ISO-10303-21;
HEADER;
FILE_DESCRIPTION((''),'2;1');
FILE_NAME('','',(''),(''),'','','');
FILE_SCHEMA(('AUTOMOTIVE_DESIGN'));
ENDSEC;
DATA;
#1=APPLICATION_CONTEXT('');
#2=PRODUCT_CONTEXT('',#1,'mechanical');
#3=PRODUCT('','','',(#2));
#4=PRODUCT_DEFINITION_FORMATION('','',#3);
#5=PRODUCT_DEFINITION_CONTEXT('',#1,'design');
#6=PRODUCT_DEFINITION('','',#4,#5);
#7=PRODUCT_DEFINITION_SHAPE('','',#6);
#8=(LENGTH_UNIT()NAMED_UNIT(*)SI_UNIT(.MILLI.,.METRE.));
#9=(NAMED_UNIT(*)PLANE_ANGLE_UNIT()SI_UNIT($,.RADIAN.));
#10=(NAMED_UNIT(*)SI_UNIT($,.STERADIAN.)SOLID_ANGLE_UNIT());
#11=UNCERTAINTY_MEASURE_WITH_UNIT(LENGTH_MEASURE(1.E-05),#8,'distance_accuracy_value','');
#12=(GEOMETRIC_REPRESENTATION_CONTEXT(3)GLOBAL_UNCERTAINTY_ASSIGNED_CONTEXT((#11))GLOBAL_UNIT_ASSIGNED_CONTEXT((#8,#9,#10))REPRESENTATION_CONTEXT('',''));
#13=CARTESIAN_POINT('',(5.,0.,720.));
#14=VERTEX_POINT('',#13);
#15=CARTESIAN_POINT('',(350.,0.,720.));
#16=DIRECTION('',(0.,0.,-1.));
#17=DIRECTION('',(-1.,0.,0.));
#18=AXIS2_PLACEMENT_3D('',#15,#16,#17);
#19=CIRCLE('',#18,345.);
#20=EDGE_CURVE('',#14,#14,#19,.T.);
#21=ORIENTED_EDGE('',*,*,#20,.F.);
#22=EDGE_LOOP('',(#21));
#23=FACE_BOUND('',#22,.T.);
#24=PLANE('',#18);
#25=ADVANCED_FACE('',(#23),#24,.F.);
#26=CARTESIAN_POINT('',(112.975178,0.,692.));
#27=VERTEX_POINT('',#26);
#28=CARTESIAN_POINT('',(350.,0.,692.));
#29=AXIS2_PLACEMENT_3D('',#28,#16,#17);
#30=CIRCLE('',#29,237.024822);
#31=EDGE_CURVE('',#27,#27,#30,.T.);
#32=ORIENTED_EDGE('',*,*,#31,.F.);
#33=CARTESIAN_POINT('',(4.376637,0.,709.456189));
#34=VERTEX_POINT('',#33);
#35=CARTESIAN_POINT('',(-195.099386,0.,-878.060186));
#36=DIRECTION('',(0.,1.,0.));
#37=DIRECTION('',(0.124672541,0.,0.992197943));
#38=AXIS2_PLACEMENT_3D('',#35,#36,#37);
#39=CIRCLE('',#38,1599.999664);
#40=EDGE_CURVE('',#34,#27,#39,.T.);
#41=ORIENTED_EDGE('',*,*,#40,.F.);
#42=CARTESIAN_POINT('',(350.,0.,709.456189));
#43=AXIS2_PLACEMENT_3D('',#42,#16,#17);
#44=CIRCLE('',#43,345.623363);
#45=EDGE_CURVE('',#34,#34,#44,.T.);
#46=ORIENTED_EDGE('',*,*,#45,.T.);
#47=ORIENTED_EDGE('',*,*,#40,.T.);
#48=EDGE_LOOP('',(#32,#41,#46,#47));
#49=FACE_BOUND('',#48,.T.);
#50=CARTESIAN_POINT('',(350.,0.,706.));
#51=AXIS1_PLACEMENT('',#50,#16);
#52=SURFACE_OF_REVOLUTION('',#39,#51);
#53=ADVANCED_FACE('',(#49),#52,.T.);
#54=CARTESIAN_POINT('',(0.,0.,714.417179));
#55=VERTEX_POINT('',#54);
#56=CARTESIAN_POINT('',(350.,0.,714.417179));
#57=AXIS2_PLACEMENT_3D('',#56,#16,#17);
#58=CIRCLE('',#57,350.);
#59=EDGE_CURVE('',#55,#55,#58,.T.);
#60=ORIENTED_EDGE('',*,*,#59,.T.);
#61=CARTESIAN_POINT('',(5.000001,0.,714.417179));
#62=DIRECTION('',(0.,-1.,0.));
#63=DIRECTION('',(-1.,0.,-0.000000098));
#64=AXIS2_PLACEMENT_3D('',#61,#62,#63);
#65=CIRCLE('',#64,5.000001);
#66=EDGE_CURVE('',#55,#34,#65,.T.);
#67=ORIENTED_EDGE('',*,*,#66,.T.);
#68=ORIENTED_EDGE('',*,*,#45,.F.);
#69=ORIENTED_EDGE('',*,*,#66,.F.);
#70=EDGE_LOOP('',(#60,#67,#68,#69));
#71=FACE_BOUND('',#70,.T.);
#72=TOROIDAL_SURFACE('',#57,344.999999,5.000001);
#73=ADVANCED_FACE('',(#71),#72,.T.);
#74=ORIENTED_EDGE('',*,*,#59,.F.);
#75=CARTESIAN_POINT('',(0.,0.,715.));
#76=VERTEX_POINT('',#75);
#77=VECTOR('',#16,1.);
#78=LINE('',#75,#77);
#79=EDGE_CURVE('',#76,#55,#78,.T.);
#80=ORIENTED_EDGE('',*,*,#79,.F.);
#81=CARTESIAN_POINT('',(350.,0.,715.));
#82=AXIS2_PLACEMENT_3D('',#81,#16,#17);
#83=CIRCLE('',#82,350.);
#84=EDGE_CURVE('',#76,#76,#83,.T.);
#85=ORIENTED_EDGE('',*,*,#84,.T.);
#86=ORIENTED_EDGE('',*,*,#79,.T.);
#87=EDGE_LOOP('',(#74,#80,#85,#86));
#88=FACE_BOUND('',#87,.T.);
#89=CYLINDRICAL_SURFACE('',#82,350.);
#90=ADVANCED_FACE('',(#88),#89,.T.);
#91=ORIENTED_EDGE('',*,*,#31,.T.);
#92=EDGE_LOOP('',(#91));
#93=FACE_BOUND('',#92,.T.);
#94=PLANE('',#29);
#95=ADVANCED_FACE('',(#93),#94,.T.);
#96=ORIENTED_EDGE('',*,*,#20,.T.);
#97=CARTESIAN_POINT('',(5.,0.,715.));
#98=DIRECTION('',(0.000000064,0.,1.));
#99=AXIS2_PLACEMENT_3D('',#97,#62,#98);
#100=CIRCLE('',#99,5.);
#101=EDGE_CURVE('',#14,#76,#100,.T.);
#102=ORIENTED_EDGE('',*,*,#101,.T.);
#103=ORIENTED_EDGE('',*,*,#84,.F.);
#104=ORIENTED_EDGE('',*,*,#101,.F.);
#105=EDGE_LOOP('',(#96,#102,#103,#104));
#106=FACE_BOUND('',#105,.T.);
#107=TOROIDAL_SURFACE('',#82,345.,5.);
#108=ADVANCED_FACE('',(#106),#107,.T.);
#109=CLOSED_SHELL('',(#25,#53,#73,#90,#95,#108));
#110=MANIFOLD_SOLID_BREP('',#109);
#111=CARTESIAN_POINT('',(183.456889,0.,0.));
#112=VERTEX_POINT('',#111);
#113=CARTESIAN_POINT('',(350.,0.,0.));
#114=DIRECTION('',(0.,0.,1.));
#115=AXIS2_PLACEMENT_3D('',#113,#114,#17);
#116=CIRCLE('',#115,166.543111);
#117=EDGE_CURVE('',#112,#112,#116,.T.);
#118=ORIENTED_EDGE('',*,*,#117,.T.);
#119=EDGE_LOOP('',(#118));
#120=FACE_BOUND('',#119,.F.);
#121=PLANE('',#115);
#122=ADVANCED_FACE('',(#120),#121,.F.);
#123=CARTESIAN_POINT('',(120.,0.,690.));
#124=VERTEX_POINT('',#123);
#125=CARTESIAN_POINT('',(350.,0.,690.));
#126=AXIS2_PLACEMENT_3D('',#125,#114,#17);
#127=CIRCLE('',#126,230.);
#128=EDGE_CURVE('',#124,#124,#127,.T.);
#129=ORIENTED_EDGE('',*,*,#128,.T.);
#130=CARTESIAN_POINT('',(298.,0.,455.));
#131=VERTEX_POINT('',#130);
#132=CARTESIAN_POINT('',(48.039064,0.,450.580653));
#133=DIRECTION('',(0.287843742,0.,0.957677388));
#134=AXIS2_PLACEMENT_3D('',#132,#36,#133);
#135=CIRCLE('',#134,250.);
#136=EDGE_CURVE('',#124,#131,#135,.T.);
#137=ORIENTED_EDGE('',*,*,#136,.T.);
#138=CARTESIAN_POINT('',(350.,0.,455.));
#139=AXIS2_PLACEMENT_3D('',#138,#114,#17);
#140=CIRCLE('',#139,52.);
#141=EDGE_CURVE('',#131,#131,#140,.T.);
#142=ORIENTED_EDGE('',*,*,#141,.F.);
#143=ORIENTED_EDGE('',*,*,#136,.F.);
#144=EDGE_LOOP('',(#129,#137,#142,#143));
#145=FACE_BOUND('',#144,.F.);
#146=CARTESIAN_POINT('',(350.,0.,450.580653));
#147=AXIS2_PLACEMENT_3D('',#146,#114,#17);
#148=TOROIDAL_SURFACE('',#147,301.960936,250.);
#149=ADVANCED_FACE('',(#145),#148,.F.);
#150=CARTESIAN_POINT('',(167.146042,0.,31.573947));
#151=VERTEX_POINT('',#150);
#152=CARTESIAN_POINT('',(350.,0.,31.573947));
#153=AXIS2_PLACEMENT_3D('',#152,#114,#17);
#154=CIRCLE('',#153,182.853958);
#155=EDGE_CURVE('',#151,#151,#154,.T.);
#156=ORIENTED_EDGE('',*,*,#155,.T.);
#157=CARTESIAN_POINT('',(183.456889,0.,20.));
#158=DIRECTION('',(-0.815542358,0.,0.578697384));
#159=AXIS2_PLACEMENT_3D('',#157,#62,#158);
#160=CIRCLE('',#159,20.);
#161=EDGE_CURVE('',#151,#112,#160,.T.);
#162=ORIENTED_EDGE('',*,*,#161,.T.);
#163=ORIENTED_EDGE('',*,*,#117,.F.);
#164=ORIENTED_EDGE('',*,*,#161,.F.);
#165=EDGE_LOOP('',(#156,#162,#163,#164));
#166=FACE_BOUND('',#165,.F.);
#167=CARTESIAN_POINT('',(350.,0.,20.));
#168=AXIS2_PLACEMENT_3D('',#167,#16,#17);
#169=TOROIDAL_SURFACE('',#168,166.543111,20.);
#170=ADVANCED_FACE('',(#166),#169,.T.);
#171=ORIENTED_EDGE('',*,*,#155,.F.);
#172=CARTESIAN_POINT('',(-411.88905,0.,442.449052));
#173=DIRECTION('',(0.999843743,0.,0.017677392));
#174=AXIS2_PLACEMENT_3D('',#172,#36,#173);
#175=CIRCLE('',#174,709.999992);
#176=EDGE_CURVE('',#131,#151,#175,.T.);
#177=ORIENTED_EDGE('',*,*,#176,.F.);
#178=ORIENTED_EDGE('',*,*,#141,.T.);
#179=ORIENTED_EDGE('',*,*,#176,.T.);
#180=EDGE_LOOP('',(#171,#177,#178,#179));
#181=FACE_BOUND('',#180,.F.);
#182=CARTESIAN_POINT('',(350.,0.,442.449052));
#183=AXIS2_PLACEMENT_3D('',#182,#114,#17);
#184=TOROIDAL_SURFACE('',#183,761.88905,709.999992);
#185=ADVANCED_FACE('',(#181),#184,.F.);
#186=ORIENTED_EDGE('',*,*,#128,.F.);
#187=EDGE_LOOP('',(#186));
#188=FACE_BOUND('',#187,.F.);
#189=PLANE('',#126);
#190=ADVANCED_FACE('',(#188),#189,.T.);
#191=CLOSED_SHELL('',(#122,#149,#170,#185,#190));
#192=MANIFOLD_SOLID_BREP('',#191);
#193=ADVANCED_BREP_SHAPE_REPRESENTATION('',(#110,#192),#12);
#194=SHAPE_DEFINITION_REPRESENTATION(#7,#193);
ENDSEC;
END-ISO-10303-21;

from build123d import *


with BuildPart() as f3:
    # F1 (on Front) → F3 (revolve)
    with BuildSketch(Plane.XZ):
        with BuildLine():
            Line((350, 0), (350, 690))
            Line((350, 690), (120, 690))
            ThreePointArc((120, 690), (247.32447, 601.528747), (298, 455))
            ThreePointArc((298, 455), (266.457297, 232.815507), (167.146042, 31.573947))
            ThreePointArc((167.146042, 31.573947), (165.68783, 10.820646), (183.456889, 0))
            Line((183.456889, 0), (350, 0))
        make_face()
    revolve(axis=Axis((350, 0, 345), (0, 0, 1)))


with BuildPart() as f5:
    # F4 (on Front) → F5 (revolve)
    with BuildSketch(Plane.XZ):
        with BuildLine():
            Line((350, 692), (350, 720))
            Line((350, 720), (5, 720))
            ThreePointArc((5, 720), (1.464466, 718.535534), (0, 715))
            Line((0, 715), (0, 714.417179))
            ThreePointArc((0, 714.417179), (1.250546, 711.109371), (4.376637, 709.456189))
            ThreePointArc((4.376637, 709.456189), (58.825956, 701.661576), (112.975178, 692))
            Line((112.975178, 692), (350, 692))
        make_face()
    revolve(axis=Axis((350, 0, 706), (0, 0, -1)))


solid = Compound([f3.part, f5.part])
